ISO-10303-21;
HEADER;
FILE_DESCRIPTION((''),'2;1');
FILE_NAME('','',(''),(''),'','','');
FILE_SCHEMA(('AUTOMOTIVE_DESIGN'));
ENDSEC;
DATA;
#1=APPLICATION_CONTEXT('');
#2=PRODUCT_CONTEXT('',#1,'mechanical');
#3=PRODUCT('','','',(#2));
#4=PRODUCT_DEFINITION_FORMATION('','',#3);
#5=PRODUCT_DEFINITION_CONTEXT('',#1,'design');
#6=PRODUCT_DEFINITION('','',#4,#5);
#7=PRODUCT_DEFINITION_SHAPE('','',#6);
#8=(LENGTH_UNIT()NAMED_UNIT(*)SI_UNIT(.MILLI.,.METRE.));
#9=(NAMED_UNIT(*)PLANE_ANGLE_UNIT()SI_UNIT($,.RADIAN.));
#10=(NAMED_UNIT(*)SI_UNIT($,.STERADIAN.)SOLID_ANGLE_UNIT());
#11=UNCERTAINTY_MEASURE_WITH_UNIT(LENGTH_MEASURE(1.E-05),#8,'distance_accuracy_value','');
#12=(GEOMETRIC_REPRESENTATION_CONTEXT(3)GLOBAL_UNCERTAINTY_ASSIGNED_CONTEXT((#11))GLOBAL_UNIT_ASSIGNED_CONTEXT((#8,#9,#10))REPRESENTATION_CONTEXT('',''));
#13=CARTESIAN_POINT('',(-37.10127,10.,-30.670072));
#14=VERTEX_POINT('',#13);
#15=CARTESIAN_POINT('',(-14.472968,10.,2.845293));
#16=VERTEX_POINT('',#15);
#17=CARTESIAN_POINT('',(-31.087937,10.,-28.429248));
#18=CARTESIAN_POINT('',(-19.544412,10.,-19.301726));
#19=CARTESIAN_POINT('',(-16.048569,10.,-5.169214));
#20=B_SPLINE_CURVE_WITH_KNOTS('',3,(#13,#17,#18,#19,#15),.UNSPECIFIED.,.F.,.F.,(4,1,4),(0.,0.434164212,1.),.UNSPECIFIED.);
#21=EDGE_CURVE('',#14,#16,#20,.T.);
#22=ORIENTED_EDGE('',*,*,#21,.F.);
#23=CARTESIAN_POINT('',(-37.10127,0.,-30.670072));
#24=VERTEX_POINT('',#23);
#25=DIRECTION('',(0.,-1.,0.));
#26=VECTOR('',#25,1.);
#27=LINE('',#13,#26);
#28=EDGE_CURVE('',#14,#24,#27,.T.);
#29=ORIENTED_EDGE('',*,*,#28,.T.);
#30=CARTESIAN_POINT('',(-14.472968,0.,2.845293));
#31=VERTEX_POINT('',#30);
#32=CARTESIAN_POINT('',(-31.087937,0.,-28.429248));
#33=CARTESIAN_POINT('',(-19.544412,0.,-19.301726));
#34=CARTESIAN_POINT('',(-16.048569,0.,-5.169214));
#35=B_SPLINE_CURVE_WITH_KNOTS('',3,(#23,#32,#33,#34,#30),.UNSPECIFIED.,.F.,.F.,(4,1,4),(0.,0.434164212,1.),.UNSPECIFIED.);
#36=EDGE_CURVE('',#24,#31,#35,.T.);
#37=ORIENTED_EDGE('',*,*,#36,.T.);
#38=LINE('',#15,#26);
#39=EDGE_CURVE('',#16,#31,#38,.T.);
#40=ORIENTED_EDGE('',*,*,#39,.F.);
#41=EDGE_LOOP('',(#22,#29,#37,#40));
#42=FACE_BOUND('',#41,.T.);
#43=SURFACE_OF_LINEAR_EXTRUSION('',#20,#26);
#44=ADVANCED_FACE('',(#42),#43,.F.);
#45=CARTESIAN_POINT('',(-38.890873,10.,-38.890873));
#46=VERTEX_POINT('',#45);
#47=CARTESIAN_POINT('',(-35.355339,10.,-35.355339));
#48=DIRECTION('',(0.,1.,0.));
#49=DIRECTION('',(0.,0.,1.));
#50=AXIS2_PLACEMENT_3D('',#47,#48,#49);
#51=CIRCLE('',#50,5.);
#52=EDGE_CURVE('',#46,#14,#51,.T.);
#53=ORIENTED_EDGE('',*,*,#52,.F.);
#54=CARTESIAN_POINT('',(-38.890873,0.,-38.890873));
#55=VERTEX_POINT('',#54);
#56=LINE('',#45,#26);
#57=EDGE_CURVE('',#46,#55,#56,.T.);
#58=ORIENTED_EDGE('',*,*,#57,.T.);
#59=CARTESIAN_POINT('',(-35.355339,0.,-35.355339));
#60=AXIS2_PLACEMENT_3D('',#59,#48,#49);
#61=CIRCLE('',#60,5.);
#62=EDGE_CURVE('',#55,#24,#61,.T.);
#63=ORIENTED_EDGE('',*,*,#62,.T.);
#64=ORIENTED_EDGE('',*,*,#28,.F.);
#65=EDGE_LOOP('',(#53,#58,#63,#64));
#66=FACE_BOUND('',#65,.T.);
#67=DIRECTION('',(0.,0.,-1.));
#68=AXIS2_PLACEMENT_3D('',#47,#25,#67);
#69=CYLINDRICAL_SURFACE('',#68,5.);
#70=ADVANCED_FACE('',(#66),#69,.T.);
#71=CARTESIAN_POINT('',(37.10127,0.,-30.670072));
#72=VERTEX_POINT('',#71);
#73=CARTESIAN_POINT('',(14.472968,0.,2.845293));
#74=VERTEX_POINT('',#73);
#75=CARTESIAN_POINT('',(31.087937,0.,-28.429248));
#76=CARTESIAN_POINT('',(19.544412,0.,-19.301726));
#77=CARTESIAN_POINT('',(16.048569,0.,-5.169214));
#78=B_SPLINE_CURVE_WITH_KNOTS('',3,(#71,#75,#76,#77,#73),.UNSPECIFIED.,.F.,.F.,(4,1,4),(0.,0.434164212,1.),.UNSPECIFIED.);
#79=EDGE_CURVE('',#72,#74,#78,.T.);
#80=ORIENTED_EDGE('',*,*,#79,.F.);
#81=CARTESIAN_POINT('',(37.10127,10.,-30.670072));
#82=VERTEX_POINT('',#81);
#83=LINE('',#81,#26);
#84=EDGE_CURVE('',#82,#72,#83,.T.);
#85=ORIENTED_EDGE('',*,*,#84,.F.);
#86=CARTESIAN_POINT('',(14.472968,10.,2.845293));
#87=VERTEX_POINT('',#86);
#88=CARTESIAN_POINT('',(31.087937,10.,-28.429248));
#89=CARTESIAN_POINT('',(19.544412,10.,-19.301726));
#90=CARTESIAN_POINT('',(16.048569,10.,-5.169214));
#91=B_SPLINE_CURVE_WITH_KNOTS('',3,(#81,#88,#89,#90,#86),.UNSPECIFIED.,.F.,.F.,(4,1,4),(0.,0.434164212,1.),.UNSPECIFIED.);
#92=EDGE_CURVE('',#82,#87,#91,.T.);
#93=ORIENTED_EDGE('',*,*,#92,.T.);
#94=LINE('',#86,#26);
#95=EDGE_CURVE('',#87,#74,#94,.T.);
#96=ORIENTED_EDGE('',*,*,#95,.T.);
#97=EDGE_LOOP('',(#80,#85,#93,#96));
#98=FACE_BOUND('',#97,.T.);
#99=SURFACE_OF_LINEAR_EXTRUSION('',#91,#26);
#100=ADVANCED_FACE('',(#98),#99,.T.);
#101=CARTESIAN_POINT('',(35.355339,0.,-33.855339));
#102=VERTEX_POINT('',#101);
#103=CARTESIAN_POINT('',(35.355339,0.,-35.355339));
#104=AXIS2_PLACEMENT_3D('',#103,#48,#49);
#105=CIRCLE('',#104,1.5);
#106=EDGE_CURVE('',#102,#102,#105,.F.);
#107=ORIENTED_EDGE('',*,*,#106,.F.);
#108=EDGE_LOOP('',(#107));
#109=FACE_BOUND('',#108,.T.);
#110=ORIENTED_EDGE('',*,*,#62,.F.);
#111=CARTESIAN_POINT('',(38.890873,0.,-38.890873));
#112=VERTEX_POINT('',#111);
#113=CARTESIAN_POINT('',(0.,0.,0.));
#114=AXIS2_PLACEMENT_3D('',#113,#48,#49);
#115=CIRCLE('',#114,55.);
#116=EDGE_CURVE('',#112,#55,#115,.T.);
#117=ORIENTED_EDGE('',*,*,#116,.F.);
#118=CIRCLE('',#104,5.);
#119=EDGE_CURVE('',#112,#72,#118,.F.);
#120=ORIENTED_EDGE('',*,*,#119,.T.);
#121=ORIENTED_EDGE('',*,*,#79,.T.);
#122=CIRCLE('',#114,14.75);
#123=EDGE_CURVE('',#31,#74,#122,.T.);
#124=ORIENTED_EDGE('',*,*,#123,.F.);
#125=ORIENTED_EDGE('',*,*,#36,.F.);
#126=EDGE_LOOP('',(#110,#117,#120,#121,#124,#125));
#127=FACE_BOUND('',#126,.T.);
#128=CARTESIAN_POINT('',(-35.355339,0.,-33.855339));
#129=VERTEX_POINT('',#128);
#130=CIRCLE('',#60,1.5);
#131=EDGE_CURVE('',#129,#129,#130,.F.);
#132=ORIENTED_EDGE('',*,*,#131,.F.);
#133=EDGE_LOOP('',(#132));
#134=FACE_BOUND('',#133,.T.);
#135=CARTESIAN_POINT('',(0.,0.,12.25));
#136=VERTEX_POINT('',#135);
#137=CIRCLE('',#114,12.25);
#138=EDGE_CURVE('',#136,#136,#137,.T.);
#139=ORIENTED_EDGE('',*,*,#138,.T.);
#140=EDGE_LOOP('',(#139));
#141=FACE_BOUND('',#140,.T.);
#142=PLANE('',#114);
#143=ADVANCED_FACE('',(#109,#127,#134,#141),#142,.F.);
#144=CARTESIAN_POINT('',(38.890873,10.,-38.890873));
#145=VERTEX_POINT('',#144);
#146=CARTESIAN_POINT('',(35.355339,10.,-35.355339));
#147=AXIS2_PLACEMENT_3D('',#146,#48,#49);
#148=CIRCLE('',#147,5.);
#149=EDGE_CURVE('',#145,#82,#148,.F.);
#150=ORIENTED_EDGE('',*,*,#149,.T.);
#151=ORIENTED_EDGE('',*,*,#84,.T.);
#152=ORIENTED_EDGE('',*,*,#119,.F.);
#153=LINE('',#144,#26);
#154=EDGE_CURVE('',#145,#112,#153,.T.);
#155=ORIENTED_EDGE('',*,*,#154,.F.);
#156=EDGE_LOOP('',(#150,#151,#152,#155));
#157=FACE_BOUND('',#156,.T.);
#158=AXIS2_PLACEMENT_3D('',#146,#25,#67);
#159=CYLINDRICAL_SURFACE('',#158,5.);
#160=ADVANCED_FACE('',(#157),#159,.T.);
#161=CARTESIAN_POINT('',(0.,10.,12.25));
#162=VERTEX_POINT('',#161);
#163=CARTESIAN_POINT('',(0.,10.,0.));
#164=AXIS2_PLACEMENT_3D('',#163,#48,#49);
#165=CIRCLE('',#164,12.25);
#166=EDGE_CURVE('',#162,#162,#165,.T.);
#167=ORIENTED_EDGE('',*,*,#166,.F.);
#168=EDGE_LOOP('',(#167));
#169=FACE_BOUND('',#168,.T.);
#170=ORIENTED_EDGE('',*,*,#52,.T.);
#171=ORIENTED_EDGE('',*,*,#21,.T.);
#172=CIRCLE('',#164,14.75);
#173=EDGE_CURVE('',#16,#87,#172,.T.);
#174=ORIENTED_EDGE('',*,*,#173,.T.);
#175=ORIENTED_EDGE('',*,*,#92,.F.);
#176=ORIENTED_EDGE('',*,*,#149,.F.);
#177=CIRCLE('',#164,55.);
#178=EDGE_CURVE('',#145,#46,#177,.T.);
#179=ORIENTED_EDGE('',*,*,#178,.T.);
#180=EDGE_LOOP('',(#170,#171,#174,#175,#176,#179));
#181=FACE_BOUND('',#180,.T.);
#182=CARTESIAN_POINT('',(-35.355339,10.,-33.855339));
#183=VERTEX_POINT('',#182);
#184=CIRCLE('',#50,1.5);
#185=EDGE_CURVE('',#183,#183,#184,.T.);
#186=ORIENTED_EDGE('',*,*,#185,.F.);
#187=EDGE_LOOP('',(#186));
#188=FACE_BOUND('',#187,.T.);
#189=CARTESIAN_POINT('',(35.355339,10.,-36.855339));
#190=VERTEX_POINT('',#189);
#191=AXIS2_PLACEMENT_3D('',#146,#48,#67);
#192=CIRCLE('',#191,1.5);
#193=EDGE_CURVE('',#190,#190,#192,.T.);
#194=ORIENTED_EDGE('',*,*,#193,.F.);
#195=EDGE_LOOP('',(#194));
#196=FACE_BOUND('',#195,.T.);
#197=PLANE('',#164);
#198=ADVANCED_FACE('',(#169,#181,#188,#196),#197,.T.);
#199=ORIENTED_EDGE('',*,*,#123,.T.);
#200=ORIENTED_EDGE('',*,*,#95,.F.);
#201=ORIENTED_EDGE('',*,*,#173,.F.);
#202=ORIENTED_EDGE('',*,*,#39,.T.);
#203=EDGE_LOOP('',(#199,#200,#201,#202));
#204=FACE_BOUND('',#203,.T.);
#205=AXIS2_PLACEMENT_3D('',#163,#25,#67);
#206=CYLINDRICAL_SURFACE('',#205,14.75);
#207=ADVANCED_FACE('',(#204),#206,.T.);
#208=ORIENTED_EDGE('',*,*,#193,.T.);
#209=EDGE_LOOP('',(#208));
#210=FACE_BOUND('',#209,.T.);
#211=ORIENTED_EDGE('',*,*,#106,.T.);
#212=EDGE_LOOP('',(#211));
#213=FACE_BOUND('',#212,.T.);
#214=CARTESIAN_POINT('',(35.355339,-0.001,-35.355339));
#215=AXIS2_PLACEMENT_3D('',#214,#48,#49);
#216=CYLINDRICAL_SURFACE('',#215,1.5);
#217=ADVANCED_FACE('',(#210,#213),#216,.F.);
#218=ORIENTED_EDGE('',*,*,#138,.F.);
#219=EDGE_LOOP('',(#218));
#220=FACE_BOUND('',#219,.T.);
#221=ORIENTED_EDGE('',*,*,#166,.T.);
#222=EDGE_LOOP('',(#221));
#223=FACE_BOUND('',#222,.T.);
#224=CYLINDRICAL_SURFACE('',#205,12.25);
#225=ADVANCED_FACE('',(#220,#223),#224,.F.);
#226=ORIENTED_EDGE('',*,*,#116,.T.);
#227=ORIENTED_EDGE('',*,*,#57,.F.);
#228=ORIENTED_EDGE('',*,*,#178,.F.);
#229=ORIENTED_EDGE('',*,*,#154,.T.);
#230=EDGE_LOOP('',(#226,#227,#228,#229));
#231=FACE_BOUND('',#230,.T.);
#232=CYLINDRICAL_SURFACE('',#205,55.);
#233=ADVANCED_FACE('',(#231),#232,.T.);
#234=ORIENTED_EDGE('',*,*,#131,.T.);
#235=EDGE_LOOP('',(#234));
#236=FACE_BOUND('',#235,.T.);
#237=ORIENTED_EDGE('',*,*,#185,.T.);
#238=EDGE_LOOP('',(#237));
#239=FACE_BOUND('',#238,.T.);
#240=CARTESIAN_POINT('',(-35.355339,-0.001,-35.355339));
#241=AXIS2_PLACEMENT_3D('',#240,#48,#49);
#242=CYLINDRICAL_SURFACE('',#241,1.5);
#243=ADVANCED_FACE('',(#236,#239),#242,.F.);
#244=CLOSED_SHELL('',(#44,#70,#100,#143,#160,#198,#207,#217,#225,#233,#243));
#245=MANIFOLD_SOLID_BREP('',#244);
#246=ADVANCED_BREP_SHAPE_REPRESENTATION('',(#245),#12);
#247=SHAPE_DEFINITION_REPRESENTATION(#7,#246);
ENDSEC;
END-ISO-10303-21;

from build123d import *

# Parameters (mm, degrees)
SKETCH2_R           = 12.25
BOSS_EXTRUDE1_DEPTH = 10
CUT_EXTRUDE1_REACH  = 70.946
SKETCH3_R           = 1.5


with BuildPart() as part:
    # Sketch2 → Boss-Extrude1 (new body)
    # profile 1 of 6: a face of its own
    with BuildSketch(Plane(origin=(0, 0, 0), x_dir=(1, 0, 0), z_dir=(0, 1, 0))):
        with BuildLine():
            ThreePointArc((-37.10126952, 30.670072063), (-34.291787618, 30.469762498), (-31.819805153, 31.819805153))
            Line((-31.819805153, 31.819805153), (-38.890872965, 38.890872965))
            ThreePointArc((-38.890872965, 38.890872965), (-40.24091562, 34.291787618), (-37.10126952, 30.670072063))
        make_face()
    # profile 2 of 6: a face of its own
    with BuildSketch(Plane(origin=(0, 0, 0), x_dir=(1, 0, 0), z_dir=(0, 1, 0))):
        with BuildLine():
            Line((-38.890872965, 38.890872965), (-31.819805153, 31.819805153))
            ThreePointArc((-31.819805153, 31.819805153), (0, 45), (31.819805153, 31.819805153))
            ThreePointArc((31.819805153, 31.819805153), (34.291787618, 30.469762498), (37.10126952, 30.670072063))
            ThreePointArc((37.10126952, 30.670072063), (40.24091562, 34.291787618), (38.890872965, 38.890872965))
            ThreePointArc((38.890872965, 38.890872965), (0, 55), (-38.890872965, 38.890872965))
        make_face()
    # profile 3 of 6: a face of its own
    with BuildSketch(Plane(origin=(0, 0, 0), x_dir=(1, 0, 0), z_dir=(0, 1, 0))):
        with BuildLine():
            ThreePointArc((31.819805153, 31.819805153), (0, 45), (-31.819805153, 31.819805153))
            ThreePointArc((-31.819805153, 31.819805153), (-32.980620877, 30.615006885), (-34.095849533, 29.367891389))
            add(Edge.make_bspline(
                [(-34.095849533, 29.367891389), (-29.412092921, 27.041011889), (-19.283887533, 18.248514738), (-16.048568895, 5.169213632), (-14.472968185, -2.845292938)],
                knots=[0.074524007, 0.074524007, 0.074524007, 0.074524007, 0.434164212, 1, 1, 1, 1], degree=3))
            ThreePointArc((-14.472968185, -2.845292938), (-1.42937386, 14.68057868), (14.75, 0))
            ThreePointArc((14.75, 0), (14.68057868, -1.42937386), (14.472968185, -2.845292938))
            add(Edge.make_bspline(
                [(34.095849533, 29.367891389), (29.412092921, 27.041011889), (19.283887533, 18.248514738), (16.048568895, 5.169213632), (14.472968185, -2.845292938)],
                knots=[0.074524007, 0.074524007, 0.074524007, 0.074524007, 0.434164212, 1, 1, 1, 1], degree=3))
            ThreePointArc((34.095849533, 29.367891389), (32.980620877, 30.615006885), (31.819805153, 31.819805153))
        make_face()
    # profile 4 of 6: a face of its own
    with BuildSketch(Plane(origin=(0, 0, 0), x_dir=(1, 0, 0), z_dir=(0, 1, 0))):
        with BuildLine():
            ThreePointArc((-34.095849533, 29.367891389), (-32.980620877, 30.615006885), (-31.819805153, 31.819805153))
            ThreePointArc((-31.819805153, 31.819805153), (-34.291787618, 30.469762498), (-37.10126952, 30.670072063))
            add(Edge.make_bspline(
                [(-37.10126952, 30.670072063), (-36.069084867, 30.285436005), (-35.066409295, 29.850063244), (-34.095849533, 29.367891389)],
                knots=[0, 0, 0, 0, 0.074524007, 0.074524007, 0.074524007, 0.074524007], degree=3))
        make_face()
    # profile 5 of 6: a face of its own
    with BuildSketch(Plane(origin=(0, 0, 0), x_dir=(1, 0, 0), z_dir=(0, 1, 0))):
        with BuildLine():
            ThreePointArc((37.10126952, 30.670072063), (34.291787618, 30.469762498), (31.819805153, 31.819805153))
            ThreePointArc((31.819805153, 31.819805153), (32.980620877, 30.615006885), (34.095849533, 29.367891389))
            add(Edge.make_bspline(
                [(37.10126952, 30.670072063), (36.069084867, 30.285436005), (35.066409295, 29.850063244), (34.095849533, 29.367891389)],
                knots=[0, 0, 0, 0, 0.074524007, 0.074524007, 0.074524007, 0.074524007], degree=3))
        make_face()
    # profile 6 of 6: a face of its own
    with BuildSketch(Plane(origin=(0, 0, 0), x_dir=(1, 0, 0), z_dir=(0, 1, 0))):
        with BuildLine():
            ThreePointArc((14.75, 0), (-1.42937386, 14.68057868), (-14.472968185, -2.845292938))
            ThreePointArc((-14.472968185, -2.845292938), (0, -14.75), (14.472968185, -2.845292938))
            ThreePointArc((14.472968185, -2.845292938), (14.68057868, -1.42937386), (14.75, 0))
        make_face()
        with Locations(Location((0, 0, 0), (0, 0, 270))):
            Circle(SKETCH2_R, mode=Mode.SUBTRACT)
    extrude(amount=BOSS_EXTRUDE1_DEPTH)

    # Sketch3 → Cut-Extrude1 (cut, up to next)
    with BuildSketch(Plane(origin=(0, 10, 0), x_dir=(1, 0, 0), z_dir=(0, 1, 0)), mode=Mode.PRIVATE) as cut_extrude1_sk1:
        with Locations(Location((-35.355339059, 35.355339059, 0), (0, 0, 270))):
            Circle(SKETCH3_R)
    cut_extrude1_tool1 = extrude(cut_extrude1_sk1.sketch, amount=-CUT_EXTRUDE1_REACH, mode=Mode.PRIVATE) & part.part
    # Sketch3 → Cut-Extrude1 (cut, up to next)
    with BuildSketch(Plane(origin=(0, 10, 0), x_dir=(1, 0, 0), z_dir=(0, 1, 0)), mode=Mode.PRIVATE) as cut_extrude1_sk2:
        with Locations(Location((35.355339059, 35.355339059, 0), (0, 0, 270))):
            Circle(SKETCH3_R)
    cut_extrude1_tool2 = extrude(cut_extrude1_sk2.sketch, amount=-CUT_EXTRUDE1_REACH, mode=Mode.PRIVATE) & part.part
    add(cut_extrude1_tool1.solids().sort_by_distance((-35.355339, 10, -35.355339))[0], mode=Mode.SUBTRACT)
    add(cut_extrude1_tool2.solids().sort_by_distance((35.355339, 10, -35.355339))[0], mode=Mode.SUBTRACT)


solid = part.part
